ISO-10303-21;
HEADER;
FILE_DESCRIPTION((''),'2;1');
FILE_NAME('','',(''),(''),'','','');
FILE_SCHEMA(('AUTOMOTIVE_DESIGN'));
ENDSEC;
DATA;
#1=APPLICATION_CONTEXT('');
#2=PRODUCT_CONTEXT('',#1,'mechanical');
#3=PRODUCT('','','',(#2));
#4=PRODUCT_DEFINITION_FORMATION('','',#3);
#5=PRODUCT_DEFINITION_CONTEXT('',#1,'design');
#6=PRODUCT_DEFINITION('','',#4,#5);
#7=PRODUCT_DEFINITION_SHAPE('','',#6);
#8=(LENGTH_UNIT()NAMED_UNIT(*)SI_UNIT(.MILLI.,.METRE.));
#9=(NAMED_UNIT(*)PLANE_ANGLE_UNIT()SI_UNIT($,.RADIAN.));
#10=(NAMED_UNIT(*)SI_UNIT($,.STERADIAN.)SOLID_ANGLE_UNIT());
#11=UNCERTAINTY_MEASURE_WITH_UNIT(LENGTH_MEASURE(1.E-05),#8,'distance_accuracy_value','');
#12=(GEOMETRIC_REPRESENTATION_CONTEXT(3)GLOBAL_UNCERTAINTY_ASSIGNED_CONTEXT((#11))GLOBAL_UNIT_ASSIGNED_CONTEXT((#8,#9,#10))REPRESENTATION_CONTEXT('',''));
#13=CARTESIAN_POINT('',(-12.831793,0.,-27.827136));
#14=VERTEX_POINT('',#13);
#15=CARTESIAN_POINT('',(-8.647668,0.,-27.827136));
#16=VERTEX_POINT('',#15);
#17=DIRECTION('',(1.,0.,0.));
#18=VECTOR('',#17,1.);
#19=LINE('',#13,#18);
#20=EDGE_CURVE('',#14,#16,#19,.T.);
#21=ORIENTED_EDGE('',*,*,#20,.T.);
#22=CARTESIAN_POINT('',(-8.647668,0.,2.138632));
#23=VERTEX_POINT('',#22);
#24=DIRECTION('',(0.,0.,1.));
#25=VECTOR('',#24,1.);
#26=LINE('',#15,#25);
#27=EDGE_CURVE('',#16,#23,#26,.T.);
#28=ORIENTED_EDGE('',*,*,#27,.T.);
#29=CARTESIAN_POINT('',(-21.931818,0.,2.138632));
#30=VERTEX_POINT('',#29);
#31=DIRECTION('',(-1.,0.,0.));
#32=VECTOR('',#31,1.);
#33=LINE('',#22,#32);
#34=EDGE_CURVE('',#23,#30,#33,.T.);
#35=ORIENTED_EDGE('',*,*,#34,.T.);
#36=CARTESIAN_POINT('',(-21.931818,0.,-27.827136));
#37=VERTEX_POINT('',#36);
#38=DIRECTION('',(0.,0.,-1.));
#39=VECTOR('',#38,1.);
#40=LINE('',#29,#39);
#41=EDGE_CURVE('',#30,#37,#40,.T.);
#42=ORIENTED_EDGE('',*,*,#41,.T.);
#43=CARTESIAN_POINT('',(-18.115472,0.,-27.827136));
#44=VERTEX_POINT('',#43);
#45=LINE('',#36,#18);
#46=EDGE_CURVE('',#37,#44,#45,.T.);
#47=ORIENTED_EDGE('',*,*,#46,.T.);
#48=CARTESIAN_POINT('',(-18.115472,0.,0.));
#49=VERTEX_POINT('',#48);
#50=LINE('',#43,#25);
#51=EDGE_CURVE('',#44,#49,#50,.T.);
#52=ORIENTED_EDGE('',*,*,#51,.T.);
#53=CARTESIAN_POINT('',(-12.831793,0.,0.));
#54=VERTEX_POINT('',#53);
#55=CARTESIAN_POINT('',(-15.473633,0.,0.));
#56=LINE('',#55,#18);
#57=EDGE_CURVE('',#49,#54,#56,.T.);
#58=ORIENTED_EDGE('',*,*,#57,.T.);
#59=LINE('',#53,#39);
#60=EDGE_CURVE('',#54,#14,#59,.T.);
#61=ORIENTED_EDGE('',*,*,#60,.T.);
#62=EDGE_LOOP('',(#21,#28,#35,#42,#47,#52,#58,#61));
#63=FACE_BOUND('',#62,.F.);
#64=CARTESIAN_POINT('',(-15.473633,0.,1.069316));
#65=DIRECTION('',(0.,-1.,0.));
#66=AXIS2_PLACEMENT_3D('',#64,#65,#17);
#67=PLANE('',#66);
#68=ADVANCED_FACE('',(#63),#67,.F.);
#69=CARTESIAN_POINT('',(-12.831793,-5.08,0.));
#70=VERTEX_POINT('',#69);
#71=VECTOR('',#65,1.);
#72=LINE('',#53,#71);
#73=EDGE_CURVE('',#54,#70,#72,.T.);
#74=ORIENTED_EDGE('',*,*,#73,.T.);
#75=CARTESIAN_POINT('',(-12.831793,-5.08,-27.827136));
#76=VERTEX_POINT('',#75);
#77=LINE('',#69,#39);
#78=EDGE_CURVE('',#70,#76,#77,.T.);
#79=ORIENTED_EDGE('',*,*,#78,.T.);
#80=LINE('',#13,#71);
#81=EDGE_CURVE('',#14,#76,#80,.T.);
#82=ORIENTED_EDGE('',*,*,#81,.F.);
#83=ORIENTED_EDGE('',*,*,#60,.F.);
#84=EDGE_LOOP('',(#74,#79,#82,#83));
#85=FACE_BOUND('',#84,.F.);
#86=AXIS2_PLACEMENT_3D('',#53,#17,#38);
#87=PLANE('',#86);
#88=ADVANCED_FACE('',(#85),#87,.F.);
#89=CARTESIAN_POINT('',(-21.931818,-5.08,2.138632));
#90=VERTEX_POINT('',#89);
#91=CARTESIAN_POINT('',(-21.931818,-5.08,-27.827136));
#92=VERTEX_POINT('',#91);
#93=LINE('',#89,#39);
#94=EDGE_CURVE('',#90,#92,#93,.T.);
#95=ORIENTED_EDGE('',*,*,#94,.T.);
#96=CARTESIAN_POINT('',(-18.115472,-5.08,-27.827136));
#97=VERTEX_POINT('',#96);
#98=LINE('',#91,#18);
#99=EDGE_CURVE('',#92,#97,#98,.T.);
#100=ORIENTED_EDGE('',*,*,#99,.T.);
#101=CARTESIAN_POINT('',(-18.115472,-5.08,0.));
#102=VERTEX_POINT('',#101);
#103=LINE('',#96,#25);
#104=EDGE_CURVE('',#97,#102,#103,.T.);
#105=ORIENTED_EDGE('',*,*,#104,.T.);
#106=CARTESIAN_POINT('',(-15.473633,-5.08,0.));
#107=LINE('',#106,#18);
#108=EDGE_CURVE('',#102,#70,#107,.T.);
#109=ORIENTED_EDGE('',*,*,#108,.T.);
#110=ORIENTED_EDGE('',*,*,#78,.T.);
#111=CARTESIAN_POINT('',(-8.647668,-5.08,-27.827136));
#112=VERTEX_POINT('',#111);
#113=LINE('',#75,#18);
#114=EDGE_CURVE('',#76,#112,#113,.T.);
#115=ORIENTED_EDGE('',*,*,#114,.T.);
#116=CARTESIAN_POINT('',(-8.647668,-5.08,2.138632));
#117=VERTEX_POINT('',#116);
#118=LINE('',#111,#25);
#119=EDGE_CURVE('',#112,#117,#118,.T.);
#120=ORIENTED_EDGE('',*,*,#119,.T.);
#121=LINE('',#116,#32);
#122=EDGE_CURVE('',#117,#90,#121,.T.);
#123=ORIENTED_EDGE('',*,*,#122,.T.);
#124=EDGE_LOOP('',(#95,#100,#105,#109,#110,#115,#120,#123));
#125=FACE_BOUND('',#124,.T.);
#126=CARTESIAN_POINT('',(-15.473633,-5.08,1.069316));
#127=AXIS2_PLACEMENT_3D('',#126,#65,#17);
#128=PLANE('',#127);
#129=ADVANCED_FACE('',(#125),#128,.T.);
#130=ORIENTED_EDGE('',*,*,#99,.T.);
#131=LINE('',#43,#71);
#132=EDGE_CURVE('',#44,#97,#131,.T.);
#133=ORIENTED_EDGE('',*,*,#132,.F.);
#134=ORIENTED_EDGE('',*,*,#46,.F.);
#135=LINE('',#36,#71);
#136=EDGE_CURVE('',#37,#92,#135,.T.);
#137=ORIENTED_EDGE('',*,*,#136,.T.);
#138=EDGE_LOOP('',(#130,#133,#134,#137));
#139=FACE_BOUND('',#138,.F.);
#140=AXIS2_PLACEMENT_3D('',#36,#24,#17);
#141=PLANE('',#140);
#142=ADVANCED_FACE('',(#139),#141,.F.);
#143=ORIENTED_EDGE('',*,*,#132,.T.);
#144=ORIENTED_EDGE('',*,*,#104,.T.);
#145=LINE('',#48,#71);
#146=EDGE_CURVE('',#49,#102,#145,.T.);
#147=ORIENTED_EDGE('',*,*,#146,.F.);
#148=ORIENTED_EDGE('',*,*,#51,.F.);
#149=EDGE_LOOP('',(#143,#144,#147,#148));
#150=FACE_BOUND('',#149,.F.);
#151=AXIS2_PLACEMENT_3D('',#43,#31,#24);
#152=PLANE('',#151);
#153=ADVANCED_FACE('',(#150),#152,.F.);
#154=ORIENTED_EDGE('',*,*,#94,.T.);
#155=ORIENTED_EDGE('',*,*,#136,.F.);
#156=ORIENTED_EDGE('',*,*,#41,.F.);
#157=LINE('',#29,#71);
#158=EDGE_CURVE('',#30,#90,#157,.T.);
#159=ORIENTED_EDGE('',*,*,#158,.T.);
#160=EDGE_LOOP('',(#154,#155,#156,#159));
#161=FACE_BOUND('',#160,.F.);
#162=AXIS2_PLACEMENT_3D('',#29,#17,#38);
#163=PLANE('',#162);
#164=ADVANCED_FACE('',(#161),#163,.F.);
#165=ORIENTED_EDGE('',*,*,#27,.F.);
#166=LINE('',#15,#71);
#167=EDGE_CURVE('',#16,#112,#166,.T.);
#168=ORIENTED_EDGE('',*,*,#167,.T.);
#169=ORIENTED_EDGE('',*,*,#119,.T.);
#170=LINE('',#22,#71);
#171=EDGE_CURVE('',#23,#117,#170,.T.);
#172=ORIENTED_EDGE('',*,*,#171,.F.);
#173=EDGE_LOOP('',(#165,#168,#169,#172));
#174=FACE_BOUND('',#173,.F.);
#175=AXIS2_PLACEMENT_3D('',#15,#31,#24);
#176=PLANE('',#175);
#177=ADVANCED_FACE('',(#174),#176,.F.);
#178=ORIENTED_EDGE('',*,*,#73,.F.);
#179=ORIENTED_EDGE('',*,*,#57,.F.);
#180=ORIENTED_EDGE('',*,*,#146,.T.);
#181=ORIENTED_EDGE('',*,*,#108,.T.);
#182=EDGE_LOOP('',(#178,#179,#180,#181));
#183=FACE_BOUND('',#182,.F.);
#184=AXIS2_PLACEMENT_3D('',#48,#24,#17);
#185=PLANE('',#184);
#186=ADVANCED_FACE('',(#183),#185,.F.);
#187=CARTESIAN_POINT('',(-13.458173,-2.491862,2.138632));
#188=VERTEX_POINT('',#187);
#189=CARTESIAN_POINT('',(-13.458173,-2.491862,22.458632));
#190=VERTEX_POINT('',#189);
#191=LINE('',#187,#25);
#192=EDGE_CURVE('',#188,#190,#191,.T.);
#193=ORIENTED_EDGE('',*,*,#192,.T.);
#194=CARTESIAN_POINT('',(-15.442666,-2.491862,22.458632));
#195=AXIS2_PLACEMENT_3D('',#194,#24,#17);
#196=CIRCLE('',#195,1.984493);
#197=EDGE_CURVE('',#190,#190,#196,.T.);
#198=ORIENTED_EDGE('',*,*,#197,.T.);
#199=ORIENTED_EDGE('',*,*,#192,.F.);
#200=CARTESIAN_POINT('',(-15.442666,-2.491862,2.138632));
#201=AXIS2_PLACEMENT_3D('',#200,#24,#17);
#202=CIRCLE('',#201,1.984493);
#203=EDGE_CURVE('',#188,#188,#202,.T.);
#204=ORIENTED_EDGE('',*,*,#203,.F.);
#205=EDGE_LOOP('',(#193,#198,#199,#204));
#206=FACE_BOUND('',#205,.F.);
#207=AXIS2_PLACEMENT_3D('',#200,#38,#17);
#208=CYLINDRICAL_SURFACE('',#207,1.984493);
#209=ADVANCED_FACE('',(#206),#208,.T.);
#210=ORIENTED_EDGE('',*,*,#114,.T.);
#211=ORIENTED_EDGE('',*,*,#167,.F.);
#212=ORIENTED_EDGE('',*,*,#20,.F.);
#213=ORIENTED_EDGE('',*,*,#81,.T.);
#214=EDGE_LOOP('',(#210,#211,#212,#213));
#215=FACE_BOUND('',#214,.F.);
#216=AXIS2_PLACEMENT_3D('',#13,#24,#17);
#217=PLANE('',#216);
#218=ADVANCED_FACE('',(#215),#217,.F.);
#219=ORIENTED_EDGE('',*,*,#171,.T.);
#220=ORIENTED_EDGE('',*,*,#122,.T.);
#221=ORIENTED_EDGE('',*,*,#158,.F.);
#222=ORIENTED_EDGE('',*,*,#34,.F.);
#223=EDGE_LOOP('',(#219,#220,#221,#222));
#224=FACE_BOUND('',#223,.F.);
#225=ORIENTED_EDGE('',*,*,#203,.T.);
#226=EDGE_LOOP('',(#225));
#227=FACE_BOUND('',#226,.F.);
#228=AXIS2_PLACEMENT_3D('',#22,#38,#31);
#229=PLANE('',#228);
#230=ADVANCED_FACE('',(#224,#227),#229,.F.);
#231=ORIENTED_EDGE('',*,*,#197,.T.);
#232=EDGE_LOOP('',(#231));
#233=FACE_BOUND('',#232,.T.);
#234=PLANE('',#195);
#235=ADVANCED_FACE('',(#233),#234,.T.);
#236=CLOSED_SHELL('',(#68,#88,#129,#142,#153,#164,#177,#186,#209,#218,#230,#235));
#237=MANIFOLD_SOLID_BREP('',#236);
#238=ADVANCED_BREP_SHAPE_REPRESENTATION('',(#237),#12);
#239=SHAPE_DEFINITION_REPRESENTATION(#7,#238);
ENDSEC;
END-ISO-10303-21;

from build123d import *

# Parameters (mm, degrees)
F0_W     = 5.2836788818
F0_H     = 2.1386321168
F1_DEPTH = 5.08
F2_R     = 1.9844931554
F3_DEPTH = 20.32


with BuildPart() as f1:
    # F0 (on Front) → F1 (new body)
    with BuildSketch(Plane.XZ):
        with Locations((-15.4736326076, 1.0693160584)):
            Rectangle(F0_W, F0_H)
        Polygon((-12.8317931667, 2.1386321168), (-12.8317931667, 0), (-12.8317931667, -27.8271362185), (-8.6476681754, -27.8271362185), (-8.6476681754, 2.1386321168), align=None)
        Polygon((-18.1154720485, -27.8271362185), (-18.1154720485, 0), (-18.1154720485, 2.1386321168), (-21.9318177551, 2.1386321168), (-21.9318177551, -27.8271362185), align=None)
    extrude(amount=F1_DEPTH)

    # F2 (on face) → F3 (join)
    with BuildSketch(Plane.XY.offset(2.1386321168)):
        with Locations((-15.4426656663, -2.4918615818)):
            Circle(F2_R)
    extrude(amount=F3_DEPTH)


solid = f1.part
